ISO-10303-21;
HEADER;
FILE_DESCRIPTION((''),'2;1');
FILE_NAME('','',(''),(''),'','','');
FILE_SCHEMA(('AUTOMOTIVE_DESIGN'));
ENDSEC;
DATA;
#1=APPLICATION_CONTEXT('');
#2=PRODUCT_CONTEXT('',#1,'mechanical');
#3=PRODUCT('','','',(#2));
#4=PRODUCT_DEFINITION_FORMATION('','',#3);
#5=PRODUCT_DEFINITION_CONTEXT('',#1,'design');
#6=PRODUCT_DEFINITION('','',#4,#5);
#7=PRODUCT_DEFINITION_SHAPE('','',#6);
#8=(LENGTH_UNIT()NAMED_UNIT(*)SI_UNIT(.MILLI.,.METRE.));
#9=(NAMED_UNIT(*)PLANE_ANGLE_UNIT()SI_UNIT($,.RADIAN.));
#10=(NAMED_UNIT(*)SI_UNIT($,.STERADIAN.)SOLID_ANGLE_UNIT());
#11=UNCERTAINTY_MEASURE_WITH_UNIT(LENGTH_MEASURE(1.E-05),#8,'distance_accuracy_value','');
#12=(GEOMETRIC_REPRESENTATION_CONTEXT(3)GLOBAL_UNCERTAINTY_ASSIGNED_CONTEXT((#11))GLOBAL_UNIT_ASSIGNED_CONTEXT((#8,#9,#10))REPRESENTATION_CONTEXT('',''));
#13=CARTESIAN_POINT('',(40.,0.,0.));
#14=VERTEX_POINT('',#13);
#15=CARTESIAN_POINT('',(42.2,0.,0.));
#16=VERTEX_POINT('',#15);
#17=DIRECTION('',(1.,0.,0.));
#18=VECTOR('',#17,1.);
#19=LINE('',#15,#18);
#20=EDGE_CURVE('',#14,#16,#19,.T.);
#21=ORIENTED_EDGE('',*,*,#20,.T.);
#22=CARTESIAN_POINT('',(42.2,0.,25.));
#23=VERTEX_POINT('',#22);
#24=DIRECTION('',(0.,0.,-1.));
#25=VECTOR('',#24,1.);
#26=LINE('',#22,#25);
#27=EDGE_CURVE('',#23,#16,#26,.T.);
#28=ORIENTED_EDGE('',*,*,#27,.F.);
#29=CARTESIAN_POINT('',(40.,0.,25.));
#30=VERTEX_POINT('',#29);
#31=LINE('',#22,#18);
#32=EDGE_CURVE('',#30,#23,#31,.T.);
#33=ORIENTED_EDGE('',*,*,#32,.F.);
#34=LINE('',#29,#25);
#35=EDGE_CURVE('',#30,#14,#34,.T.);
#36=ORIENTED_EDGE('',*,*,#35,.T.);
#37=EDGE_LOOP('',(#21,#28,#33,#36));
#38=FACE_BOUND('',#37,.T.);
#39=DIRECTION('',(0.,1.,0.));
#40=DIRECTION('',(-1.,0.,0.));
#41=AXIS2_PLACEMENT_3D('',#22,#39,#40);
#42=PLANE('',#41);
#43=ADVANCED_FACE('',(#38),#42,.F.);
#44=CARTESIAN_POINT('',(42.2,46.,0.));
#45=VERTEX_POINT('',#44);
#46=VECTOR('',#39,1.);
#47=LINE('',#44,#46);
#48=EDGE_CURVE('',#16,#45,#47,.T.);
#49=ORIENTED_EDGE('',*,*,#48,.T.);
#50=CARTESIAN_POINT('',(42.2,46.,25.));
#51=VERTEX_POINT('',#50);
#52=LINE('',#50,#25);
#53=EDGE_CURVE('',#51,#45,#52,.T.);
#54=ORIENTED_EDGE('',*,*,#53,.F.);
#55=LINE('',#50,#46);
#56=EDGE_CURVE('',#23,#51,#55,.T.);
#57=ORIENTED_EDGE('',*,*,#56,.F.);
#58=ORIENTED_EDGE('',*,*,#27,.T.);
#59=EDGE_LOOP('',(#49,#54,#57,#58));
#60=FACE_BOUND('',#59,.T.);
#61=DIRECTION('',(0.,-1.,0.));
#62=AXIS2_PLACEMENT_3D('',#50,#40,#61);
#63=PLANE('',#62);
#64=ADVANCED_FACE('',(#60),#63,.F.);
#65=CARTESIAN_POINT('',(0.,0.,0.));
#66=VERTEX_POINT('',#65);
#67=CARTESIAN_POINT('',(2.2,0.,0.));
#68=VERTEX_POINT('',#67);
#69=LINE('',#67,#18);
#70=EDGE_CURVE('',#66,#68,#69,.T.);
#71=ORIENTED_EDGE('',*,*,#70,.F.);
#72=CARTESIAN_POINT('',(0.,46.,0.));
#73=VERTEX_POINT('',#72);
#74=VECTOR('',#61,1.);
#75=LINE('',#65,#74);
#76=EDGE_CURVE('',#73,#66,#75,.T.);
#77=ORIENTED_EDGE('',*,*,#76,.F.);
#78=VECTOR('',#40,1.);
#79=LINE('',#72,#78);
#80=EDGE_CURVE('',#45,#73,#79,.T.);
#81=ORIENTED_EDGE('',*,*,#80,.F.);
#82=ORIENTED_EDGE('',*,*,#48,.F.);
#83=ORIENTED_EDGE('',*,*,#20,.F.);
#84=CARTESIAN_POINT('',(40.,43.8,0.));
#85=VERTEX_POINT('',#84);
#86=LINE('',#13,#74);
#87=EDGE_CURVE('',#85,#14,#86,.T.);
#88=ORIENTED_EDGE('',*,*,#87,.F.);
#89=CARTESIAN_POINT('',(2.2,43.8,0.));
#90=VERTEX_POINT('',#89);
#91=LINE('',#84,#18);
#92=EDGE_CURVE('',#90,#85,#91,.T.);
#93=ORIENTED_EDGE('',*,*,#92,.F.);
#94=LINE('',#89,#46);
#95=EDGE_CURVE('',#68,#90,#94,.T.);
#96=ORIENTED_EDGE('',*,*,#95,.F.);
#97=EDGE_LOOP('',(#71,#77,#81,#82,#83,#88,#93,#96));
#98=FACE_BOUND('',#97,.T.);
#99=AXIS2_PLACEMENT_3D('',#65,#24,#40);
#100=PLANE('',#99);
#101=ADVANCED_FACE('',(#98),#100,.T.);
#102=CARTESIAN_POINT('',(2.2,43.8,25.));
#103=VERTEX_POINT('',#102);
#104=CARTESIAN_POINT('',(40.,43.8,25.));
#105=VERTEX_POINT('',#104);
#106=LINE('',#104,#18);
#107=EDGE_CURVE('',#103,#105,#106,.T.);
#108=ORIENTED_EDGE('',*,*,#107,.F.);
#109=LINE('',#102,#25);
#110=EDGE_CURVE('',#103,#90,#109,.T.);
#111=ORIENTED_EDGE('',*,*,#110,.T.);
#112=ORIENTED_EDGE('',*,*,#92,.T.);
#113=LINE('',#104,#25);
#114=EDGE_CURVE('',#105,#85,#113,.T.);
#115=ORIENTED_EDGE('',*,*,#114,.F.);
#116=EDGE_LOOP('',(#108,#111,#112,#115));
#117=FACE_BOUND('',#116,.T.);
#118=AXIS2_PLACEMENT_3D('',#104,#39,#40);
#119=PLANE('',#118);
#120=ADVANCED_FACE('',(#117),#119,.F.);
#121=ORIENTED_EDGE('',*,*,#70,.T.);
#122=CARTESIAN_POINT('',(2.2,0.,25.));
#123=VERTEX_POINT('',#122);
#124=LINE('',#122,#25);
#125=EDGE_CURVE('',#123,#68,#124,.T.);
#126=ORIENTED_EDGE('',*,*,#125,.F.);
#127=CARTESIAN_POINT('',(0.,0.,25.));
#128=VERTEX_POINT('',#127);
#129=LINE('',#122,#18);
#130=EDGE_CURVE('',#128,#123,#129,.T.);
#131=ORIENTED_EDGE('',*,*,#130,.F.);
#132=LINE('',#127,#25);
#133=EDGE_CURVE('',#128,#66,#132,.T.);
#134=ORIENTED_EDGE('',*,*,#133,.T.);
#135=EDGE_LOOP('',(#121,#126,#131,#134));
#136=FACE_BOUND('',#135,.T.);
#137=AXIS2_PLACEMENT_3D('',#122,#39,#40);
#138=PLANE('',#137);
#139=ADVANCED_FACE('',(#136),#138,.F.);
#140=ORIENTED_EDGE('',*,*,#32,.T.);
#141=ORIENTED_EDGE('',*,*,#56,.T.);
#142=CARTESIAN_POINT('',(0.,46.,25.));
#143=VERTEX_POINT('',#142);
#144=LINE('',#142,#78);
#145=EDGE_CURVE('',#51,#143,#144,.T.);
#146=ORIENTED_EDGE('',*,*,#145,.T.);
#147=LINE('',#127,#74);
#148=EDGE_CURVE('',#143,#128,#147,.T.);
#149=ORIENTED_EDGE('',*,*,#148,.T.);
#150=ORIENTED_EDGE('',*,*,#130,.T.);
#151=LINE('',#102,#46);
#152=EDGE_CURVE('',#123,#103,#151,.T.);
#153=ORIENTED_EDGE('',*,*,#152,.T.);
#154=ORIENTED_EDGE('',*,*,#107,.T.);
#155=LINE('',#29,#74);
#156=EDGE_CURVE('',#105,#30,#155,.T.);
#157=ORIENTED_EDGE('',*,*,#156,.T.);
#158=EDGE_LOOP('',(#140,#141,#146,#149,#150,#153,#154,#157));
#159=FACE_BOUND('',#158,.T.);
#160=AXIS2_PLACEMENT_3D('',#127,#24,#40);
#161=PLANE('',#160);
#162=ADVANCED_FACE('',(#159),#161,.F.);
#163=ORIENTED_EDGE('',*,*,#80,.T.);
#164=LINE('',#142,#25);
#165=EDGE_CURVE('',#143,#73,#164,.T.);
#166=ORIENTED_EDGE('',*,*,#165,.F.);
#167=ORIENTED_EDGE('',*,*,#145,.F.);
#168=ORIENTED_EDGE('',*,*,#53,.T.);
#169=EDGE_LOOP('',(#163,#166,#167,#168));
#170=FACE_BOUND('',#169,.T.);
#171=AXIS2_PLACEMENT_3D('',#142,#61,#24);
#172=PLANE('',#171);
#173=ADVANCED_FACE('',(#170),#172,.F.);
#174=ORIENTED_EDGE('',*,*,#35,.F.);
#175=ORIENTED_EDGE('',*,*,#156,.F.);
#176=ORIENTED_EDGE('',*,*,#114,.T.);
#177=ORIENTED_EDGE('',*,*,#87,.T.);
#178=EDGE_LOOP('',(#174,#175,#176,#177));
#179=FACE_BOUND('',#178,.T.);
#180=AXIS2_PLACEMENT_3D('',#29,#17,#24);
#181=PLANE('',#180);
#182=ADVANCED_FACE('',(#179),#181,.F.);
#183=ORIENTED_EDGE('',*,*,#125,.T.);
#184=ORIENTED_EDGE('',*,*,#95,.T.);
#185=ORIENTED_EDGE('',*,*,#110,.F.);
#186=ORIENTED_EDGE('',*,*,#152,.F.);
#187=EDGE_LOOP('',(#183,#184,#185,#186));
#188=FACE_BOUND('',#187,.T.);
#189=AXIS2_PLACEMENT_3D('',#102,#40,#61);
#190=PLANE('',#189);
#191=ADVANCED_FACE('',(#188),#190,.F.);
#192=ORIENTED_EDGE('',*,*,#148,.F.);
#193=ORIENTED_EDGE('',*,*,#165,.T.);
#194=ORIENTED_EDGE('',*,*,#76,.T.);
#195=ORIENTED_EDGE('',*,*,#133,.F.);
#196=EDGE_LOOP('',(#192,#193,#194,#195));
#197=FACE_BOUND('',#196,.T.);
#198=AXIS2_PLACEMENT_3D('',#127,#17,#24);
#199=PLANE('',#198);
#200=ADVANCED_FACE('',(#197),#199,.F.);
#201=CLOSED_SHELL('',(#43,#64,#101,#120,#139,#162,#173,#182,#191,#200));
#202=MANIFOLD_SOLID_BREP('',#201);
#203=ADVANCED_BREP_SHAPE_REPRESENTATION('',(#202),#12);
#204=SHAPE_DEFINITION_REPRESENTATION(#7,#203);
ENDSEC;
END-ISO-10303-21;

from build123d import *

# Parameters (mm, degrees)
BOSS_EXTRUDE1_DEPTH = 25


with BuildPart() as part:
    # Sketch1 → Boss-Extrude1 (new body)
    with BuildSketch(Plane.XY):
        Polygon((0, 0), (0, 46), (42.2, 46), (42.2, 0), (40, 0), (40, 43.8), (2.2, 43.8), (2.2, 0), align=None)
    extrude(amount=BOSS_EXTRUDE1_DEPTH)


solid = part.part
